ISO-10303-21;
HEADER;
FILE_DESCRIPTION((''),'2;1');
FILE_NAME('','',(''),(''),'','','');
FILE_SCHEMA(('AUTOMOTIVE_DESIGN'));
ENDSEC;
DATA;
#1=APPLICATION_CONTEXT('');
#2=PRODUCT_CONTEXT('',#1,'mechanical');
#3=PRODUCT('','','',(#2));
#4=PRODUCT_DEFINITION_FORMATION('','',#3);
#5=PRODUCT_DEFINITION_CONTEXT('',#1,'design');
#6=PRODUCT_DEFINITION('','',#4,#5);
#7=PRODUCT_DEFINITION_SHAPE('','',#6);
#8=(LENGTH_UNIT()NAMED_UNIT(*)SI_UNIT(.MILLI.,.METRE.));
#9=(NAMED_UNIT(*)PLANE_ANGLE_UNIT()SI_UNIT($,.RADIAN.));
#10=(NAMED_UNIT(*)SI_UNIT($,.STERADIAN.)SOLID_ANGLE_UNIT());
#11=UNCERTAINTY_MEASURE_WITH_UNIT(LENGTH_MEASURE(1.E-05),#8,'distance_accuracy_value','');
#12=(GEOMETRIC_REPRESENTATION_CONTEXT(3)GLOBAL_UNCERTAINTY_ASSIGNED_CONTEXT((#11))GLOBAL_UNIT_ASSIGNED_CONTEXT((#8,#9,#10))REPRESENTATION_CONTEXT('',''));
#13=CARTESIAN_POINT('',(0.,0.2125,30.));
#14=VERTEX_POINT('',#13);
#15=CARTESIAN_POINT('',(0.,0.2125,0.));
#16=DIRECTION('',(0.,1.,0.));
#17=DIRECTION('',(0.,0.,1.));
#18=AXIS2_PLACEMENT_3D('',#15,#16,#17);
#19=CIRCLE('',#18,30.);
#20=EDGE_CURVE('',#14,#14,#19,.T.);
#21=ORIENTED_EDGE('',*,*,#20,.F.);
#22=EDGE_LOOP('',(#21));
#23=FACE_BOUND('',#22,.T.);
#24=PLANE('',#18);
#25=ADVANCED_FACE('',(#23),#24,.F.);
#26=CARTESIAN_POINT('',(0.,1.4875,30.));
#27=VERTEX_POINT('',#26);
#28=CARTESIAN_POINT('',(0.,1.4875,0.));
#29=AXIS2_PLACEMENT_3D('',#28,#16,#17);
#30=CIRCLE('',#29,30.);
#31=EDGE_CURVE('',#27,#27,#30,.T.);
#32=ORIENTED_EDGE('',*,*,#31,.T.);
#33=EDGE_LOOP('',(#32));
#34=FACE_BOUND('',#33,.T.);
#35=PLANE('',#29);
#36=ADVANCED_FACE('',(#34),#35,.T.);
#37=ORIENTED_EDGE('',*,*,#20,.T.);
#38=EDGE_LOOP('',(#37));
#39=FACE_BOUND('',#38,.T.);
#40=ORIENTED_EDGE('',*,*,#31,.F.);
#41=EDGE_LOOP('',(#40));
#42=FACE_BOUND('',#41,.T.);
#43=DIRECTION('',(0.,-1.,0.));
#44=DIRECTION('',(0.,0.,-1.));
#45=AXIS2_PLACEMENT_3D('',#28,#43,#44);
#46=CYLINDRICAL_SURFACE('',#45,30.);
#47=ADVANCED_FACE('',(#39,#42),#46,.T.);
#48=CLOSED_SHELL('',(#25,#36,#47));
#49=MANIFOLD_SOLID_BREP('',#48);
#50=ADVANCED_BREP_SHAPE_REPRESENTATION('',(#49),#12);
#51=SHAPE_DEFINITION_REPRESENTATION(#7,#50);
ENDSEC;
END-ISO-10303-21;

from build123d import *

# Parameters (mm, degrees)
SKETCH1_R           = 40
BOSS_EXTRUDE1_DEPTH = 1.7
SCALE1_SCALE        = 0.75


with BuildPart() as part:
    # Sketch1 → Boss-Extrude1 (new body)
    with BuildSketch(Plane(origin=(0, 0, 0), x_dir=(1, 0, 0), z_dir=(0, 1, 0))):
        Circle(SKETCH1_R)
    extrude(amount=BOSS_EXTRUDE1_DEPTH)


with BuildPart() as part_1:
    # Scale1: scaled about (0, 0.85, 0)
    add(part.part.scale(SCALE1_SCALE).moved(Location((0, 0.2125, 0))))


solid = part_1.part
